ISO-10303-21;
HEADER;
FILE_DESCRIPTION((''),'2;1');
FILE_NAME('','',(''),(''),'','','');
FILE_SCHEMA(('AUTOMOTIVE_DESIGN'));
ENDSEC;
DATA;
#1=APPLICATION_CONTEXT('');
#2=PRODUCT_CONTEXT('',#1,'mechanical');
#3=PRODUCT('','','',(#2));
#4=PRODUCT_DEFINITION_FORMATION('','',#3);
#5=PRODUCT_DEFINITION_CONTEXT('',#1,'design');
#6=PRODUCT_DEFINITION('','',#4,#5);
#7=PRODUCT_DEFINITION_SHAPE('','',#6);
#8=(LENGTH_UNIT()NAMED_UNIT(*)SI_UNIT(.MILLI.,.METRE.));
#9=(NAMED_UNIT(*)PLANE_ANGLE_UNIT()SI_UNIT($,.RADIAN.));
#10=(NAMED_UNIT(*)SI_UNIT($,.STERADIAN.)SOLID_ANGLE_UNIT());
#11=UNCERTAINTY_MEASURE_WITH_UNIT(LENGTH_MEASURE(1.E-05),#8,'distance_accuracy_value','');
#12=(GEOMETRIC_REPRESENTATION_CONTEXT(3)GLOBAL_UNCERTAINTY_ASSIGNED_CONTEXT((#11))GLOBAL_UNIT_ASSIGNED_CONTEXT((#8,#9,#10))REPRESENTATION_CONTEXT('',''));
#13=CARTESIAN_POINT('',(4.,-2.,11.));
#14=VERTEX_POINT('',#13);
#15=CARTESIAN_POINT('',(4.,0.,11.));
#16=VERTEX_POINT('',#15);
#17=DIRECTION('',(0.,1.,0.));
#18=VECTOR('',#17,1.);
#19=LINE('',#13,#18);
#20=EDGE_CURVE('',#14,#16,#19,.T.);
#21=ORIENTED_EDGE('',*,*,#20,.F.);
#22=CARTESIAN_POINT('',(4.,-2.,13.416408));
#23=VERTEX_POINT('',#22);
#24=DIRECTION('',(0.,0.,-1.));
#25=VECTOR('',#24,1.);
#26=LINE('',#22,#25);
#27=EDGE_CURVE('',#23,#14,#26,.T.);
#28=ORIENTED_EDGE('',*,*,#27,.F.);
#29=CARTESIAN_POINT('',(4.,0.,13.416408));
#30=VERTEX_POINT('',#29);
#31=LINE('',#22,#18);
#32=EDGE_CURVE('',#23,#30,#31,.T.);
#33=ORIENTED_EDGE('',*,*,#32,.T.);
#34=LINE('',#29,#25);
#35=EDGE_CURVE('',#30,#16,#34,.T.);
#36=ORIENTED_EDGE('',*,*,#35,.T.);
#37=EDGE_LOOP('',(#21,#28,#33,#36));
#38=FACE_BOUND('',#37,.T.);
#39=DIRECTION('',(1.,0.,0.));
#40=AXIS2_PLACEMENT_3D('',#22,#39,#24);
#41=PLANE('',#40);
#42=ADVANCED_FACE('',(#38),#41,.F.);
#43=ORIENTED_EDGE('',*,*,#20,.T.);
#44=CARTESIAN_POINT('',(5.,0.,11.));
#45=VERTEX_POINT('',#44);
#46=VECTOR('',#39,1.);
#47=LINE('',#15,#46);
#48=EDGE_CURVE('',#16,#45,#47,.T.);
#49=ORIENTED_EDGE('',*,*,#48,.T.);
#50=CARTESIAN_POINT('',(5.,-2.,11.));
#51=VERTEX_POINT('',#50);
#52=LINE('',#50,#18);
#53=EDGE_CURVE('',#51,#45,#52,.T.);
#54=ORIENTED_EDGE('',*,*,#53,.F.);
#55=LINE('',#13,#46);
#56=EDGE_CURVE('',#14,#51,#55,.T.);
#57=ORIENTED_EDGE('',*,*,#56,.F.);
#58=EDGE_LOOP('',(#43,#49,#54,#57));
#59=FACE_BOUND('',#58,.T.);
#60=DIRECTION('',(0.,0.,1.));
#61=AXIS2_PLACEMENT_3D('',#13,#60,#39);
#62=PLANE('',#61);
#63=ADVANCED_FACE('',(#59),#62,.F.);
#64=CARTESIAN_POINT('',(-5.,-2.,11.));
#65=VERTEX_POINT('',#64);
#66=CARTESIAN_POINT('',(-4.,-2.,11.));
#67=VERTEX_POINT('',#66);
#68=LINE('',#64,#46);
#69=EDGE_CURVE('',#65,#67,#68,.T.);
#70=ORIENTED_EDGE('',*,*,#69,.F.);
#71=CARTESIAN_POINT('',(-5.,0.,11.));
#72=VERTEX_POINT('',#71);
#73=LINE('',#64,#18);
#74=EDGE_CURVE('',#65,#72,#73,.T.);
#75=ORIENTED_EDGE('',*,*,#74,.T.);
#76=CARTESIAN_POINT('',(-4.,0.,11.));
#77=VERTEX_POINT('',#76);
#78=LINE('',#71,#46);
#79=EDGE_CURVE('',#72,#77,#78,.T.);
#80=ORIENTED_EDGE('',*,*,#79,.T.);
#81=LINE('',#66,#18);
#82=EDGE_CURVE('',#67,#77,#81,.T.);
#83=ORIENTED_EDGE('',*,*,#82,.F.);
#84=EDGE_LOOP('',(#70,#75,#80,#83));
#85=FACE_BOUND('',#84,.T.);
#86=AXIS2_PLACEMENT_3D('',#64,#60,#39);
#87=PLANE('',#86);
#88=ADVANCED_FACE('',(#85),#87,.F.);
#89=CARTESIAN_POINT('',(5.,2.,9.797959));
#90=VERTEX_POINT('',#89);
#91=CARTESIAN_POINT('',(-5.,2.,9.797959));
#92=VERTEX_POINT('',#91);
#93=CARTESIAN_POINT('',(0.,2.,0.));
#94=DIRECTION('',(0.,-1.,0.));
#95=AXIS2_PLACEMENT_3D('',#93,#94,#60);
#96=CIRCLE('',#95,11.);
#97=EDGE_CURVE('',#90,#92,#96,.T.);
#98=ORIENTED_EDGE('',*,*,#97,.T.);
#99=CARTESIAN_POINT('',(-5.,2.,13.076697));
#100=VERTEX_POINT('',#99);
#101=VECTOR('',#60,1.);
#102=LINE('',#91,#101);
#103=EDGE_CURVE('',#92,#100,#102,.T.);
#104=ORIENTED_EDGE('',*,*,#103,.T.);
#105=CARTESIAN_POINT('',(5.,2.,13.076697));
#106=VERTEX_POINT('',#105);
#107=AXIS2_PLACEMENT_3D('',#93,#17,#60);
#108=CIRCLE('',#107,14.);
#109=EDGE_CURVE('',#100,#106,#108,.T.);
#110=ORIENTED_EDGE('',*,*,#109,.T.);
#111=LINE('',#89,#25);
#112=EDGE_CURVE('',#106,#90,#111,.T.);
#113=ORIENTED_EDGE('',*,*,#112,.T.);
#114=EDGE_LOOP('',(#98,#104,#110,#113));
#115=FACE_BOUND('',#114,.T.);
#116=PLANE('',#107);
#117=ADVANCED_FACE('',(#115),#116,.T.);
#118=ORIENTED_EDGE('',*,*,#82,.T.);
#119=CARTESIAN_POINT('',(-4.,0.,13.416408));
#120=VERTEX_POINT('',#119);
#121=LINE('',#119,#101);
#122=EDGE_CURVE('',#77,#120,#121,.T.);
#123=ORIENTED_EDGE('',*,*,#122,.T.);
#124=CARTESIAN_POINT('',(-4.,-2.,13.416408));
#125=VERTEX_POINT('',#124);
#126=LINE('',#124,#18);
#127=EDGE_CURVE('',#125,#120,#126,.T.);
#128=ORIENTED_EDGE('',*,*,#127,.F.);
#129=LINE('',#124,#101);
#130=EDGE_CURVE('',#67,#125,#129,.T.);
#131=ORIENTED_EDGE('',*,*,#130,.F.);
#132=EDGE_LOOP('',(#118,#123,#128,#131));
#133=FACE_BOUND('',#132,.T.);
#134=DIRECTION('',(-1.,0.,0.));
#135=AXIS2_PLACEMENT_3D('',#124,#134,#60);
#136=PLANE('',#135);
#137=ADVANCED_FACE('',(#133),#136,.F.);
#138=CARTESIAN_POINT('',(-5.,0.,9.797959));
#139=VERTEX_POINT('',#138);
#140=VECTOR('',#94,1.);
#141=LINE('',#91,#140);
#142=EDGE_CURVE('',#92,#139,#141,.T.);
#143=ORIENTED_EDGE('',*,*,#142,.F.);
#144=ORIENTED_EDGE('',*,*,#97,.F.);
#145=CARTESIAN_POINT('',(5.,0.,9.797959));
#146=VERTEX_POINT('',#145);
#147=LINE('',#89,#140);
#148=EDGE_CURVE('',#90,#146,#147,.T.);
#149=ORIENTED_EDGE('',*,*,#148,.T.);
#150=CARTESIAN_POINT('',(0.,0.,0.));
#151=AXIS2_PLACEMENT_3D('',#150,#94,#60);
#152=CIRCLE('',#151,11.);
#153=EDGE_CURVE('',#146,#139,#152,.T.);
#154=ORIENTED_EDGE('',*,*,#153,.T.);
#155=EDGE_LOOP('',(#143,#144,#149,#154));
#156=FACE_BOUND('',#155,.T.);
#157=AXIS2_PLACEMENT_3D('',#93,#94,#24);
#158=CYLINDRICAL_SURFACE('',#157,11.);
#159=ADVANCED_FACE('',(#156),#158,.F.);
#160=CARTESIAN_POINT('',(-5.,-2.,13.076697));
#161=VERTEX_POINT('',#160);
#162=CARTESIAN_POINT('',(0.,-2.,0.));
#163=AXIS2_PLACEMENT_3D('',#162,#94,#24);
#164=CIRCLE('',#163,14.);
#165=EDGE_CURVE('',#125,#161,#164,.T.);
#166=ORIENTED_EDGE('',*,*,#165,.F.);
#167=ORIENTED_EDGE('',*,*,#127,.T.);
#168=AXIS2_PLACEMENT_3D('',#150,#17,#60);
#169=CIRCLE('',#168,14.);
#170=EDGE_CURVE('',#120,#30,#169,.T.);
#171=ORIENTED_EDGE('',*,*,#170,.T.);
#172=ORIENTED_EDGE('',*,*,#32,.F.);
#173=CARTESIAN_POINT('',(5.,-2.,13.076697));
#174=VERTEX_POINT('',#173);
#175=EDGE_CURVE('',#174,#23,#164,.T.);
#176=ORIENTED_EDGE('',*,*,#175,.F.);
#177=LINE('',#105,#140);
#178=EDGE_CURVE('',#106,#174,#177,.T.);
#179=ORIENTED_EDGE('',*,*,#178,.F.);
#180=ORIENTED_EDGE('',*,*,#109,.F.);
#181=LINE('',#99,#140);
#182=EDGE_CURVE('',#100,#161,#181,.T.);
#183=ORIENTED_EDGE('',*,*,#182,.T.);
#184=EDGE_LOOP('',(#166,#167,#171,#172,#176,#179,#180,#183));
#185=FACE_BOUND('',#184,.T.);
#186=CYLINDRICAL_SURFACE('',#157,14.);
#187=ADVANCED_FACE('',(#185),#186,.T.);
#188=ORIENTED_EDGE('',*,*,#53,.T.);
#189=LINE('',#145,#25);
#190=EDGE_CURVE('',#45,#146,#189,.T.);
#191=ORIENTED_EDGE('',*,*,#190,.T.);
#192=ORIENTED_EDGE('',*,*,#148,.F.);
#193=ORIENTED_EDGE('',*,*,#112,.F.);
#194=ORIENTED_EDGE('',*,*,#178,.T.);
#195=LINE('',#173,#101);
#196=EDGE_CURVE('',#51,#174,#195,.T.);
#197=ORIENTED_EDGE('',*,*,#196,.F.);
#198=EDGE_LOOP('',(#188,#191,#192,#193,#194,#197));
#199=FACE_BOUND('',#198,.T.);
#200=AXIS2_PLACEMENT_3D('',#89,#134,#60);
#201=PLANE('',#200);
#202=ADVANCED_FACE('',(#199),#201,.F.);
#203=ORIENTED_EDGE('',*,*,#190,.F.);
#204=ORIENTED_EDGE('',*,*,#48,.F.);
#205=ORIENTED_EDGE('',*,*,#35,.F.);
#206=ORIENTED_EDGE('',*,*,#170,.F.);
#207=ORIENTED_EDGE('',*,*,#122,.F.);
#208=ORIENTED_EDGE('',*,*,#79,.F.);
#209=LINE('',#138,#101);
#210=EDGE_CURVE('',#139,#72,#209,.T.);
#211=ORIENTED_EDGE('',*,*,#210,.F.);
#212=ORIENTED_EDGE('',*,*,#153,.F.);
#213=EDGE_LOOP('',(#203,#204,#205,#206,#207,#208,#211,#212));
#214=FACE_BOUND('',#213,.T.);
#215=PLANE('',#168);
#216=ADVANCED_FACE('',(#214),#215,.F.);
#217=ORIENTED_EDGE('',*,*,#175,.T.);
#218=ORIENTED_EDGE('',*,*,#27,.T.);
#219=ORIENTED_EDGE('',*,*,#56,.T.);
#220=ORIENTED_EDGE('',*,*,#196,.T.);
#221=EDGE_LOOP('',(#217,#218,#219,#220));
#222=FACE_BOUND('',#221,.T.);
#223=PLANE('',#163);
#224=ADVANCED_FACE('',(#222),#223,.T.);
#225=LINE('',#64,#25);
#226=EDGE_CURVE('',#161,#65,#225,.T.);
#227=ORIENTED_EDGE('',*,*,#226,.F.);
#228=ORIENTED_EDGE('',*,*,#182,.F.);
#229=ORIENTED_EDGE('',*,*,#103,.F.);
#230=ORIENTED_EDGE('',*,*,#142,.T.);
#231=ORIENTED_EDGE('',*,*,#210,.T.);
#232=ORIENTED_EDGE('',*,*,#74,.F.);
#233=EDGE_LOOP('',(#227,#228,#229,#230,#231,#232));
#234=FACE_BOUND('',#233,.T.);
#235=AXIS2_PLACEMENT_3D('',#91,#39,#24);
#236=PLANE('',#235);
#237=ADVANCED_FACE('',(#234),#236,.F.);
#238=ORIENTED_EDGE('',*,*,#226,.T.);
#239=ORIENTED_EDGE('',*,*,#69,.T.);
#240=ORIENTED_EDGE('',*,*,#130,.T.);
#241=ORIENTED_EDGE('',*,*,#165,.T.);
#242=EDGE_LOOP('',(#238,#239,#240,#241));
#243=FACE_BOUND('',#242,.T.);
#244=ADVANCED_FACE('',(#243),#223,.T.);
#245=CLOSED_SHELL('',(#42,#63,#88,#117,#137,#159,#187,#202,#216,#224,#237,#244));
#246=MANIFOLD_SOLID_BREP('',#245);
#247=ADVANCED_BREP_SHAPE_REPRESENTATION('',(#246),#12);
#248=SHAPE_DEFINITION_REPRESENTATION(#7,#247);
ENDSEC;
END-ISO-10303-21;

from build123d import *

# Parameters (mm, degrees)
BOSS_EXTRUDE1_DEPTH = 2
BOSS_EXTRUDE2_DEPTH = 2


with BuildPart() as part:
    # Sketch1 → Boss-Extrude1 (new body)
    with BuildSketch(Plane(origin=(0, 0, 0), x_dir=(1, 0, 0), z_dir=(0, 1, 0))):
        with BuildLine():
            Line((-5, -9.797958971), (-5, -13.076696831))
            ThreePointArc((-5, -13.076696831), (0, -14), (5, -13.076696831))
            Line((5, -13.076696831), (5, -9.797958971))
            ThreePointArc((5, -9.797958971), (0, -11), (-5, -9.797958971))
        make_face()
    extrude(amount=BOSS_EXTRUDE1_DEPTH)

    # Sketch3 → Boss-Extrude2 (add)
    with BuildSketch(Plane.XZ):
        with BuildLine():
            Line((5, 13.076696831), (5, 11))
            Line((5, 11), (4, 11))
            Line((4, 11), (4, 13.416407865))
            ThreePointArc((4, 13.416407865), (4.503204514, 13.255985407), (5, 13.076696831))
        make_face()
        with BuildLine():
            Line((-5, 11), (-5, 13.076696831))
            ThreePointArc((-5, 13.076696831), (-4.503204514, 13.255985407), (-4, 13.416407865))
            Line((-4, 13.416407865), (-4, 11))
            Line((-4, 11), (-5, 11))
        make_face()
    extrude(amount=BOSS_EXTRUDE2_DEPTH)


solid = part.part
